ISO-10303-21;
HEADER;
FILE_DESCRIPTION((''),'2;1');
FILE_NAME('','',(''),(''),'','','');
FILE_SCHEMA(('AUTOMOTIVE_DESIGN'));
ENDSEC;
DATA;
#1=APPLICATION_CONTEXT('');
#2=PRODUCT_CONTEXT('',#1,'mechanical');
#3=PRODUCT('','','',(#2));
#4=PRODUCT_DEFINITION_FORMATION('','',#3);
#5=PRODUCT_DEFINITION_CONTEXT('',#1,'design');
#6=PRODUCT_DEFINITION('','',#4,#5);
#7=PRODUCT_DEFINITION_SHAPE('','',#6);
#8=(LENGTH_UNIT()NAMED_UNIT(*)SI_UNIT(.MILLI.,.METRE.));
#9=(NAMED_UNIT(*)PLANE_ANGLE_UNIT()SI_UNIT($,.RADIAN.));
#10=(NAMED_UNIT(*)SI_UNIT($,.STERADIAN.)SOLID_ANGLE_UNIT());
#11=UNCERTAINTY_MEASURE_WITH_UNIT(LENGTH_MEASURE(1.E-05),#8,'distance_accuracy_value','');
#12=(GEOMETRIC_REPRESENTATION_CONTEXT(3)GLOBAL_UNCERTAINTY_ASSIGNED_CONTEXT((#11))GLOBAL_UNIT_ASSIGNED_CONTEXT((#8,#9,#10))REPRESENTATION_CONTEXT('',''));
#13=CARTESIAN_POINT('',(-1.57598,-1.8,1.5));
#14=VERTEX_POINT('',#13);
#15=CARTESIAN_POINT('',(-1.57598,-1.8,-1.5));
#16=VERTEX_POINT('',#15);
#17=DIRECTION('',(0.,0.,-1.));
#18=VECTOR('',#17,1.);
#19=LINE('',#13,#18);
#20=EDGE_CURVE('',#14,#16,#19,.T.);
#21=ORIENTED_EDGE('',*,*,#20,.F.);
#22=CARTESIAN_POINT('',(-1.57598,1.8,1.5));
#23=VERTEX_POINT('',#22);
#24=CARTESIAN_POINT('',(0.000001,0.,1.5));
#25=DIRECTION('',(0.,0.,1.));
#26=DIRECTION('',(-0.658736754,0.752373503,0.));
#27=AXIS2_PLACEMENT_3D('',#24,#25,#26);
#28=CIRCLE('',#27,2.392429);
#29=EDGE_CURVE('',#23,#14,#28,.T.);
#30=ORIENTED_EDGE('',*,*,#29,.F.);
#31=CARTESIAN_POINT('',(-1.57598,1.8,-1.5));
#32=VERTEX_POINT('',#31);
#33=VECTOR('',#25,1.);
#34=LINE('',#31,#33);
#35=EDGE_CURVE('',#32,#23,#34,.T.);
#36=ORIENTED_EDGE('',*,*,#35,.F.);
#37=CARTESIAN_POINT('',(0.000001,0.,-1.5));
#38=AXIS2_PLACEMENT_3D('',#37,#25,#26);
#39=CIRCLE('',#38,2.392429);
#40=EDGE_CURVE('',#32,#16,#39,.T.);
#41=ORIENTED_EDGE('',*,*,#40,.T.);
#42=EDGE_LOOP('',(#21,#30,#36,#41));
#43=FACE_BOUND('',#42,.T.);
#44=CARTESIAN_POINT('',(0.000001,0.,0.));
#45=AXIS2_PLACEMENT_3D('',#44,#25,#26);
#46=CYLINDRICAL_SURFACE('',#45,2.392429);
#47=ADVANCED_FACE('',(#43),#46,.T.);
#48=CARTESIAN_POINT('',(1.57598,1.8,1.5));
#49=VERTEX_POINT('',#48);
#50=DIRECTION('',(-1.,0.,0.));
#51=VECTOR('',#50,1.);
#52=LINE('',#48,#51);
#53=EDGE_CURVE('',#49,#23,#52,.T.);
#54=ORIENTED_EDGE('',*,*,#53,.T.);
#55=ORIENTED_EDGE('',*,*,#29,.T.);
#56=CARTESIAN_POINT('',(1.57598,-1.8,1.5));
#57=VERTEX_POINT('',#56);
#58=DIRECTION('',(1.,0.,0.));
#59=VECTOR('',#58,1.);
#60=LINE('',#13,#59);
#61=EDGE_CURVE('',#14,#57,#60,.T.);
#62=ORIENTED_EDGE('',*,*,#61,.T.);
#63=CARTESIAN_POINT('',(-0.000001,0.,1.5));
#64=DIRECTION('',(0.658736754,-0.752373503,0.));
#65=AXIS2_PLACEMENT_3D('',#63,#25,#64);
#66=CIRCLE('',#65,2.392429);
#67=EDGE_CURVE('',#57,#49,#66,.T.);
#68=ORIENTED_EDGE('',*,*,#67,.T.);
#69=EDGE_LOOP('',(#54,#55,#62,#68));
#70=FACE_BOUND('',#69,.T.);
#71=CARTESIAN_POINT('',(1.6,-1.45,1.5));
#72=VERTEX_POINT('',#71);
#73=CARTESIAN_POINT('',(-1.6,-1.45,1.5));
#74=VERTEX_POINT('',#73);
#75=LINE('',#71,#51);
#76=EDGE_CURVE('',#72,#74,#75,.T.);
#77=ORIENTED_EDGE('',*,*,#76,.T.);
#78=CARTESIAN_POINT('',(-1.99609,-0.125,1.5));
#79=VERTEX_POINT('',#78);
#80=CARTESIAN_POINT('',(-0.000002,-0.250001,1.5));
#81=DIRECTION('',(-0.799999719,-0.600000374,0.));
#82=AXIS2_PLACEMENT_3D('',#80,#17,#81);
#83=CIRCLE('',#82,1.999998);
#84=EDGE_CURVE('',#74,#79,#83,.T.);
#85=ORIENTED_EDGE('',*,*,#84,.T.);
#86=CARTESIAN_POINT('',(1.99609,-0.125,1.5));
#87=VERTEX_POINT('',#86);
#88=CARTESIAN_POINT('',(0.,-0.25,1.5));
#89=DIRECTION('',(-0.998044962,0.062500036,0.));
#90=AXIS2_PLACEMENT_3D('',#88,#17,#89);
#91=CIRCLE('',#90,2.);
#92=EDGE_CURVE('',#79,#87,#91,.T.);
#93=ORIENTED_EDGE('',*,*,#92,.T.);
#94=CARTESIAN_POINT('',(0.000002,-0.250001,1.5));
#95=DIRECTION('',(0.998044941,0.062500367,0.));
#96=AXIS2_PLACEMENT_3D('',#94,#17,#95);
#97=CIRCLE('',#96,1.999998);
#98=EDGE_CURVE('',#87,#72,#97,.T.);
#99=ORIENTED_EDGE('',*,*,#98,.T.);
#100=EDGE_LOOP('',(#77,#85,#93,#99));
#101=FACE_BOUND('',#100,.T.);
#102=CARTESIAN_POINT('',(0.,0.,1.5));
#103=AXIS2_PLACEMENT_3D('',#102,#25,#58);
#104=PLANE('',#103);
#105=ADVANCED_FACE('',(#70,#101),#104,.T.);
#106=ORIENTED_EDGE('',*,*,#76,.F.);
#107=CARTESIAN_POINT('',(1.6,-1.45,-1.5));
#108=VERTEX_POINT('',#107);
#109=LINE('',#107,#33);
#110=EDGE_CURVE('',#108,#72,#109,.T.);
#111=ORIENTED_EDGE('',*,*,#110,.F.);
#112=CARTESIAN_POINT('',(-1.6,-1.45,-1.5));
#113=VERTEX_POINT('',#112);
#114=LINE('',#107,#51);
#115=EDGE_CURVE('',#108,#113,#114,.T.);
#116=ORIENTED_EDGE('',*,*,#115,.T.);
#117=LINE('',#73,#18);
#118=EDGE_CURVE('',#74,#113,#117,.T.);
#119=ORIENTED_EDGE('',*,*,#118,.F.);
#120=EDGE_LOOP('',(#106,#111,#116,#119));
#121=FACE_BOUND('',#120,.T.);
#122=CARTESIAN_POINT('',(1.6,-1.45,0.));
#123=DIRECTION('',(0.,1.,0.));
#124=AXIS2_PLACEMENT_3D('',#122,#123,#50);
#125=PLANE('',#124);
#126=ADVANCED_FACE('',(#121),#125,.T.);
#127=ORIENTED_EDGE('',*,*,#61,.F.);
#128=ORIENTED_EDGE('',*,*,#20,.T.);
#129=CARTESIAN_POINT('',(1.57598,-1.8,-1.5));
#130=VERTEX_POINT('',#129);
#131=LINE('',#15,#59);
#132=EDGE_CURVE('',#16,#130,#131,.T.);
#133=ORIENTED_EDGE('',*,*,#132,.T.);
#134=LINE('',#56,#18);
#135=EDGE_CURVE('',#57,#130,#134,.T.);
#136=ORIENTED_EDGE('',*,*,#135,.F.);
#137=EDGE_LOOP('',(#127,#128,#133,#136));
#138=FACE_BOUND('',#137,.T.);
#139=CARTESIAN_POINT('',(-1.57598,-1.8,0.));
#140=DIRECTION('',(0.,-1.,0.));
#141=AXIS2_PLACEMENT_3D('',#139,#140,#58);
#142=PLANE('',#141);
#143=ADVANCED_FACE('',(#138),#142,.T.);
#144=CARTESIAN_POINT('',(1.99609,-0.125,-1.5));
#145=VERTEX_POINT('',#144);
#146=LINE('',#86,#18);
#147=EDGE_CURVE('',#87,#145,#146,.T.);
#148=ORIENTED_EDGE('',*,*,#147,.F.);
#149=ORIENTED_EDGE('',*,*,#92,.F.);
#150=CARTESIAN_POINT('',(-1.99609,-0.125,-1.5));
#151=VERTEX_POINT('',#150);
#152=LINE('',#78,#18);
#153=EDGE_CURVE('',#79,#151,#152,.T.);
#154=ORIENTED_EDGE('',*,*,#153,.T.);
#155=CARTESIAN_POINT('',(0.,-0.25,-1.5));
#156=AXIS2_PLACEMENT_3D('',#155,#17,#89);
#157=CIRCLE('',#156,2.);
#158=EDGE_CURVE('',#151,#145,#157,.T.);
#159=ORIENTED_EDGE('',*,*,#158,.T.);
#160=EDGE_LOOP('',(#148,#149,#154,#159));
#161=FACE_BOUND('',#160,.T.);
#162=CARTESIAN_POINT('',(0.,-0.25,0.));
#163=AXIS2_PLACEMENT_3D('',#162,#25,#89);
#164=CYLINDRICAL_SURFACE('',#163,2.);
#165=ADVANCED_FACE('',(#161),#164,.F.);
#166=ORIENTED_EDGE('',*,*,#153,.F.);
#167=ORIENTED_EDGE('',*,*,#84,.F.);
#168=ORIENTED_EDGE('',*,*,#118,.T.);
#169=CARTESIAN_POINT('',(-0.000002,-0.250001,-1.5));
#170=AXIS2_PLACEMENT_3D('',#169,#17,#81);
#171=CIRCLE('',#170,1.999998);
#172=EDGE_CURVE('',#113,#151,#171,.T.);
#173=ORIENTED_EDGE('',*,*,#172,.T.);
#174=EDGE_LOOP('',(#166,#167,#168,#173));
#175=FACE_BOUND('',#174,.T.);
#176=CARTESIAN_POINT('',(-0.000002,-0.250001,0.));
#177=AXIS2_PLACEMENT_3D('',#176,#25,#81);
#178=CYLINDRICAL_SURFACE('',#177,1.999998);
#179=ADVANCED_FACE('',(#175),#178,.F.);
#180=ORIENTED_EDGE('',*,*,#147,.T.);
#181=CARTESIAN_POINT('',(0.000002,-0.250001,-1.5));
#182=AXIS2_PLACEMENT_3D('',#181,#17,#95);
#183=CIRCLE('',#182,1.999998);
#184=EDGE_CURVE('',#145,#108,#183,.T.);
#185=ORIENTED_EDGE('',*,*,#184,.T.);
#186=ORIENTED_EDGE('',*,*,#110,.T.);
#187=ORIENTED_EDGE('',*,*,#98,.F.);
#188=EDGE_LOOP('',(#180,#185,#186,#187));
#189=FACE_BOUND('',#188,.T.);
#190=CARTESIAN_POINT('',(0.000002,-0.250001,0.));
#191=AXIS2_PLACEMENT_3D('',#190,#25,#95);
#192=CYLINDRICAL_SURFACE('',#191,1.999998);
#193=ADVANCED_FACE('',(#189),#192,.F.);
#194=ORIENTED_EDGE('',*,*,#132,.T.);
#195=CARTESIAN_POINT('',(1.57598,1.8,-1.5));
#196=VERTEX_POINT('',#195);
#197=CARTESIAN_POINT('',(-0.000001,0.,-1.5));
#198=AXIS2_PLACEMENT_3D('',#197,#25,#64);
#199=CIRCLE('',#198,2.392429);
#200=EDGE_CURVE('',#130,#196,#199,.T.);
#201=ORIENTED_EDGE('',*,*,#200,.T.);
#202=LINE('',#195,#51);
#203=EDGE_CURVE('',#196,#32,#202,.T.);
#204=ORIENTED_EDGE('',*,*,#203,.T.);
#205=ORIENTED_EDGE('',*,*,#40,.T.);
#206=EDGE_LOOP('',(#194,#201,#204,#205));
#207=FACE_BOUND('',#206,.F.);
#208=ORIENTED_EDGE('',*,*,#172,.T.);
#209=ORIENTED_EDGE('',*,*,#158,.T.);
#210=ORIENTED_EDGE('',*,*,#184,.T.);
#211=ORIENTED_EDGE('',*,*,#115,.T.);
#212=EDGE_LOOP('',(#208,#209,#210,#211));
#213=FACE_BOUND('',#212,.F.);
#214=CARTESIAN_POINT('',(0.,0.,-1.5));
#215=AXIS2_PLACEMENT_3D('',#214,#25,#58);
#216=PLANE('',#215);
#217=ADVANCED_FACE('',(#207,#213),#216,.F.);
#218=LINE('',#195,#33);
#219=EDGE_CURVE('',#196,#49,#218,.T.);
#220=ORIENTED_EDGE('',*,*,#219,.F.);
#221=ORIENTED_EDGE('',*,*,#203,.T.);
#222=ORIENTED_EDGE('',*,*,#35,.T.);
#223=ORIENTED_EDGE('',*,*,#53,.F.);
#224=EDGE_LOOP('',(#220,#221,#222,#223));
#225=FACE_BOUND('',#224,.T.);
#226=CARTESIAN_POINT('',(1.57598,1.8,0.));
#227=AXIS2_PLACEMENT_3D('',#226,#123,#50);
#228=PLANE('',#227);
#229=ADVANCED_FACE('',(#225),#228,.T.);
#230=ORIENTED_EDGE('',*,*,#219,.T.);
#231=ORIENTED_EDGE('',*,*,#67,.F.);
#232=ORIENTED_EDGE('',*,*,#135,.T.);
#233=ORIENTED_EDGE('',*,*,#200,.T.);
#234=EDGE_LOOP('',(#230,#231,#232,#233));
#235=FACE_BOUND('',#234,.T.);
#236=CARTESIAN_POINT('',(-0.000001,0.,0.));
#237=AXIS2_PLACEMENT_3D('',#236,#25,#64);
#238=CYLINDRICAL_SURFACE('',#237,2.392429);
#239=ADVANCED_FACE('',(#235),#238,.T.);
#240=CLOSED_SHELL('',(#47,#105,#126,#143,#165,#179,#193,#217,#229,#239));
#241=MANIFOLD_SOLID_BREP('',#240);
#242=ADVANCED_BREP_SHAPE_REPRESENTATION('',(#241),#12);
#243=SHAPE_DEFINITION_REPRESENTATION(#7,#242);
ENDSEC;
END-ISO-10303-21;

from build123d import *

# Parameters (mm, degrees)
F1_DEPTH = 1.5


with BuildPart() as f1:
    # F0 (on Top) → F1 (new body, symmetric)
    with BuildSketch(Plane.XY):
        with BuildLine():
            Line((0, -1.8), (1.57598, -1.8))
            ThreePointArc((1.57598, -1.8), (2.392428, 0), (1.57598, 1.8))
            Line((1.57598, 1.8), (0, 1.8))
            Line((0, 1.8), (-1.57598, 1.8))
            ThreePointArc((-1.57598, 1.8), (-2.392428, 0), (-1.57598, -1.8))
            Line((-1.57598, -1.8), (0, -1.8))
        make_face()
        with BuildLine():
            Line((1.6, -1.45), (-1.6, -1.45))
            ThreePointArc((-1.6, -1.45), (-1.916213, -0.822825), (-1.99609, -0.125))
            ThreePointArc((-1.99609, -0.125), (0, 1.75), (1.99609, -0.125))
            ThreePointArc((1.99609, -0.125), (1.916213, -0.822825), (1.6, -1.45))
        make_face(mode=Mode.SUBTRACT)
    extrude(amount=F1_DEPTH, both=True)


solid = f1.part
